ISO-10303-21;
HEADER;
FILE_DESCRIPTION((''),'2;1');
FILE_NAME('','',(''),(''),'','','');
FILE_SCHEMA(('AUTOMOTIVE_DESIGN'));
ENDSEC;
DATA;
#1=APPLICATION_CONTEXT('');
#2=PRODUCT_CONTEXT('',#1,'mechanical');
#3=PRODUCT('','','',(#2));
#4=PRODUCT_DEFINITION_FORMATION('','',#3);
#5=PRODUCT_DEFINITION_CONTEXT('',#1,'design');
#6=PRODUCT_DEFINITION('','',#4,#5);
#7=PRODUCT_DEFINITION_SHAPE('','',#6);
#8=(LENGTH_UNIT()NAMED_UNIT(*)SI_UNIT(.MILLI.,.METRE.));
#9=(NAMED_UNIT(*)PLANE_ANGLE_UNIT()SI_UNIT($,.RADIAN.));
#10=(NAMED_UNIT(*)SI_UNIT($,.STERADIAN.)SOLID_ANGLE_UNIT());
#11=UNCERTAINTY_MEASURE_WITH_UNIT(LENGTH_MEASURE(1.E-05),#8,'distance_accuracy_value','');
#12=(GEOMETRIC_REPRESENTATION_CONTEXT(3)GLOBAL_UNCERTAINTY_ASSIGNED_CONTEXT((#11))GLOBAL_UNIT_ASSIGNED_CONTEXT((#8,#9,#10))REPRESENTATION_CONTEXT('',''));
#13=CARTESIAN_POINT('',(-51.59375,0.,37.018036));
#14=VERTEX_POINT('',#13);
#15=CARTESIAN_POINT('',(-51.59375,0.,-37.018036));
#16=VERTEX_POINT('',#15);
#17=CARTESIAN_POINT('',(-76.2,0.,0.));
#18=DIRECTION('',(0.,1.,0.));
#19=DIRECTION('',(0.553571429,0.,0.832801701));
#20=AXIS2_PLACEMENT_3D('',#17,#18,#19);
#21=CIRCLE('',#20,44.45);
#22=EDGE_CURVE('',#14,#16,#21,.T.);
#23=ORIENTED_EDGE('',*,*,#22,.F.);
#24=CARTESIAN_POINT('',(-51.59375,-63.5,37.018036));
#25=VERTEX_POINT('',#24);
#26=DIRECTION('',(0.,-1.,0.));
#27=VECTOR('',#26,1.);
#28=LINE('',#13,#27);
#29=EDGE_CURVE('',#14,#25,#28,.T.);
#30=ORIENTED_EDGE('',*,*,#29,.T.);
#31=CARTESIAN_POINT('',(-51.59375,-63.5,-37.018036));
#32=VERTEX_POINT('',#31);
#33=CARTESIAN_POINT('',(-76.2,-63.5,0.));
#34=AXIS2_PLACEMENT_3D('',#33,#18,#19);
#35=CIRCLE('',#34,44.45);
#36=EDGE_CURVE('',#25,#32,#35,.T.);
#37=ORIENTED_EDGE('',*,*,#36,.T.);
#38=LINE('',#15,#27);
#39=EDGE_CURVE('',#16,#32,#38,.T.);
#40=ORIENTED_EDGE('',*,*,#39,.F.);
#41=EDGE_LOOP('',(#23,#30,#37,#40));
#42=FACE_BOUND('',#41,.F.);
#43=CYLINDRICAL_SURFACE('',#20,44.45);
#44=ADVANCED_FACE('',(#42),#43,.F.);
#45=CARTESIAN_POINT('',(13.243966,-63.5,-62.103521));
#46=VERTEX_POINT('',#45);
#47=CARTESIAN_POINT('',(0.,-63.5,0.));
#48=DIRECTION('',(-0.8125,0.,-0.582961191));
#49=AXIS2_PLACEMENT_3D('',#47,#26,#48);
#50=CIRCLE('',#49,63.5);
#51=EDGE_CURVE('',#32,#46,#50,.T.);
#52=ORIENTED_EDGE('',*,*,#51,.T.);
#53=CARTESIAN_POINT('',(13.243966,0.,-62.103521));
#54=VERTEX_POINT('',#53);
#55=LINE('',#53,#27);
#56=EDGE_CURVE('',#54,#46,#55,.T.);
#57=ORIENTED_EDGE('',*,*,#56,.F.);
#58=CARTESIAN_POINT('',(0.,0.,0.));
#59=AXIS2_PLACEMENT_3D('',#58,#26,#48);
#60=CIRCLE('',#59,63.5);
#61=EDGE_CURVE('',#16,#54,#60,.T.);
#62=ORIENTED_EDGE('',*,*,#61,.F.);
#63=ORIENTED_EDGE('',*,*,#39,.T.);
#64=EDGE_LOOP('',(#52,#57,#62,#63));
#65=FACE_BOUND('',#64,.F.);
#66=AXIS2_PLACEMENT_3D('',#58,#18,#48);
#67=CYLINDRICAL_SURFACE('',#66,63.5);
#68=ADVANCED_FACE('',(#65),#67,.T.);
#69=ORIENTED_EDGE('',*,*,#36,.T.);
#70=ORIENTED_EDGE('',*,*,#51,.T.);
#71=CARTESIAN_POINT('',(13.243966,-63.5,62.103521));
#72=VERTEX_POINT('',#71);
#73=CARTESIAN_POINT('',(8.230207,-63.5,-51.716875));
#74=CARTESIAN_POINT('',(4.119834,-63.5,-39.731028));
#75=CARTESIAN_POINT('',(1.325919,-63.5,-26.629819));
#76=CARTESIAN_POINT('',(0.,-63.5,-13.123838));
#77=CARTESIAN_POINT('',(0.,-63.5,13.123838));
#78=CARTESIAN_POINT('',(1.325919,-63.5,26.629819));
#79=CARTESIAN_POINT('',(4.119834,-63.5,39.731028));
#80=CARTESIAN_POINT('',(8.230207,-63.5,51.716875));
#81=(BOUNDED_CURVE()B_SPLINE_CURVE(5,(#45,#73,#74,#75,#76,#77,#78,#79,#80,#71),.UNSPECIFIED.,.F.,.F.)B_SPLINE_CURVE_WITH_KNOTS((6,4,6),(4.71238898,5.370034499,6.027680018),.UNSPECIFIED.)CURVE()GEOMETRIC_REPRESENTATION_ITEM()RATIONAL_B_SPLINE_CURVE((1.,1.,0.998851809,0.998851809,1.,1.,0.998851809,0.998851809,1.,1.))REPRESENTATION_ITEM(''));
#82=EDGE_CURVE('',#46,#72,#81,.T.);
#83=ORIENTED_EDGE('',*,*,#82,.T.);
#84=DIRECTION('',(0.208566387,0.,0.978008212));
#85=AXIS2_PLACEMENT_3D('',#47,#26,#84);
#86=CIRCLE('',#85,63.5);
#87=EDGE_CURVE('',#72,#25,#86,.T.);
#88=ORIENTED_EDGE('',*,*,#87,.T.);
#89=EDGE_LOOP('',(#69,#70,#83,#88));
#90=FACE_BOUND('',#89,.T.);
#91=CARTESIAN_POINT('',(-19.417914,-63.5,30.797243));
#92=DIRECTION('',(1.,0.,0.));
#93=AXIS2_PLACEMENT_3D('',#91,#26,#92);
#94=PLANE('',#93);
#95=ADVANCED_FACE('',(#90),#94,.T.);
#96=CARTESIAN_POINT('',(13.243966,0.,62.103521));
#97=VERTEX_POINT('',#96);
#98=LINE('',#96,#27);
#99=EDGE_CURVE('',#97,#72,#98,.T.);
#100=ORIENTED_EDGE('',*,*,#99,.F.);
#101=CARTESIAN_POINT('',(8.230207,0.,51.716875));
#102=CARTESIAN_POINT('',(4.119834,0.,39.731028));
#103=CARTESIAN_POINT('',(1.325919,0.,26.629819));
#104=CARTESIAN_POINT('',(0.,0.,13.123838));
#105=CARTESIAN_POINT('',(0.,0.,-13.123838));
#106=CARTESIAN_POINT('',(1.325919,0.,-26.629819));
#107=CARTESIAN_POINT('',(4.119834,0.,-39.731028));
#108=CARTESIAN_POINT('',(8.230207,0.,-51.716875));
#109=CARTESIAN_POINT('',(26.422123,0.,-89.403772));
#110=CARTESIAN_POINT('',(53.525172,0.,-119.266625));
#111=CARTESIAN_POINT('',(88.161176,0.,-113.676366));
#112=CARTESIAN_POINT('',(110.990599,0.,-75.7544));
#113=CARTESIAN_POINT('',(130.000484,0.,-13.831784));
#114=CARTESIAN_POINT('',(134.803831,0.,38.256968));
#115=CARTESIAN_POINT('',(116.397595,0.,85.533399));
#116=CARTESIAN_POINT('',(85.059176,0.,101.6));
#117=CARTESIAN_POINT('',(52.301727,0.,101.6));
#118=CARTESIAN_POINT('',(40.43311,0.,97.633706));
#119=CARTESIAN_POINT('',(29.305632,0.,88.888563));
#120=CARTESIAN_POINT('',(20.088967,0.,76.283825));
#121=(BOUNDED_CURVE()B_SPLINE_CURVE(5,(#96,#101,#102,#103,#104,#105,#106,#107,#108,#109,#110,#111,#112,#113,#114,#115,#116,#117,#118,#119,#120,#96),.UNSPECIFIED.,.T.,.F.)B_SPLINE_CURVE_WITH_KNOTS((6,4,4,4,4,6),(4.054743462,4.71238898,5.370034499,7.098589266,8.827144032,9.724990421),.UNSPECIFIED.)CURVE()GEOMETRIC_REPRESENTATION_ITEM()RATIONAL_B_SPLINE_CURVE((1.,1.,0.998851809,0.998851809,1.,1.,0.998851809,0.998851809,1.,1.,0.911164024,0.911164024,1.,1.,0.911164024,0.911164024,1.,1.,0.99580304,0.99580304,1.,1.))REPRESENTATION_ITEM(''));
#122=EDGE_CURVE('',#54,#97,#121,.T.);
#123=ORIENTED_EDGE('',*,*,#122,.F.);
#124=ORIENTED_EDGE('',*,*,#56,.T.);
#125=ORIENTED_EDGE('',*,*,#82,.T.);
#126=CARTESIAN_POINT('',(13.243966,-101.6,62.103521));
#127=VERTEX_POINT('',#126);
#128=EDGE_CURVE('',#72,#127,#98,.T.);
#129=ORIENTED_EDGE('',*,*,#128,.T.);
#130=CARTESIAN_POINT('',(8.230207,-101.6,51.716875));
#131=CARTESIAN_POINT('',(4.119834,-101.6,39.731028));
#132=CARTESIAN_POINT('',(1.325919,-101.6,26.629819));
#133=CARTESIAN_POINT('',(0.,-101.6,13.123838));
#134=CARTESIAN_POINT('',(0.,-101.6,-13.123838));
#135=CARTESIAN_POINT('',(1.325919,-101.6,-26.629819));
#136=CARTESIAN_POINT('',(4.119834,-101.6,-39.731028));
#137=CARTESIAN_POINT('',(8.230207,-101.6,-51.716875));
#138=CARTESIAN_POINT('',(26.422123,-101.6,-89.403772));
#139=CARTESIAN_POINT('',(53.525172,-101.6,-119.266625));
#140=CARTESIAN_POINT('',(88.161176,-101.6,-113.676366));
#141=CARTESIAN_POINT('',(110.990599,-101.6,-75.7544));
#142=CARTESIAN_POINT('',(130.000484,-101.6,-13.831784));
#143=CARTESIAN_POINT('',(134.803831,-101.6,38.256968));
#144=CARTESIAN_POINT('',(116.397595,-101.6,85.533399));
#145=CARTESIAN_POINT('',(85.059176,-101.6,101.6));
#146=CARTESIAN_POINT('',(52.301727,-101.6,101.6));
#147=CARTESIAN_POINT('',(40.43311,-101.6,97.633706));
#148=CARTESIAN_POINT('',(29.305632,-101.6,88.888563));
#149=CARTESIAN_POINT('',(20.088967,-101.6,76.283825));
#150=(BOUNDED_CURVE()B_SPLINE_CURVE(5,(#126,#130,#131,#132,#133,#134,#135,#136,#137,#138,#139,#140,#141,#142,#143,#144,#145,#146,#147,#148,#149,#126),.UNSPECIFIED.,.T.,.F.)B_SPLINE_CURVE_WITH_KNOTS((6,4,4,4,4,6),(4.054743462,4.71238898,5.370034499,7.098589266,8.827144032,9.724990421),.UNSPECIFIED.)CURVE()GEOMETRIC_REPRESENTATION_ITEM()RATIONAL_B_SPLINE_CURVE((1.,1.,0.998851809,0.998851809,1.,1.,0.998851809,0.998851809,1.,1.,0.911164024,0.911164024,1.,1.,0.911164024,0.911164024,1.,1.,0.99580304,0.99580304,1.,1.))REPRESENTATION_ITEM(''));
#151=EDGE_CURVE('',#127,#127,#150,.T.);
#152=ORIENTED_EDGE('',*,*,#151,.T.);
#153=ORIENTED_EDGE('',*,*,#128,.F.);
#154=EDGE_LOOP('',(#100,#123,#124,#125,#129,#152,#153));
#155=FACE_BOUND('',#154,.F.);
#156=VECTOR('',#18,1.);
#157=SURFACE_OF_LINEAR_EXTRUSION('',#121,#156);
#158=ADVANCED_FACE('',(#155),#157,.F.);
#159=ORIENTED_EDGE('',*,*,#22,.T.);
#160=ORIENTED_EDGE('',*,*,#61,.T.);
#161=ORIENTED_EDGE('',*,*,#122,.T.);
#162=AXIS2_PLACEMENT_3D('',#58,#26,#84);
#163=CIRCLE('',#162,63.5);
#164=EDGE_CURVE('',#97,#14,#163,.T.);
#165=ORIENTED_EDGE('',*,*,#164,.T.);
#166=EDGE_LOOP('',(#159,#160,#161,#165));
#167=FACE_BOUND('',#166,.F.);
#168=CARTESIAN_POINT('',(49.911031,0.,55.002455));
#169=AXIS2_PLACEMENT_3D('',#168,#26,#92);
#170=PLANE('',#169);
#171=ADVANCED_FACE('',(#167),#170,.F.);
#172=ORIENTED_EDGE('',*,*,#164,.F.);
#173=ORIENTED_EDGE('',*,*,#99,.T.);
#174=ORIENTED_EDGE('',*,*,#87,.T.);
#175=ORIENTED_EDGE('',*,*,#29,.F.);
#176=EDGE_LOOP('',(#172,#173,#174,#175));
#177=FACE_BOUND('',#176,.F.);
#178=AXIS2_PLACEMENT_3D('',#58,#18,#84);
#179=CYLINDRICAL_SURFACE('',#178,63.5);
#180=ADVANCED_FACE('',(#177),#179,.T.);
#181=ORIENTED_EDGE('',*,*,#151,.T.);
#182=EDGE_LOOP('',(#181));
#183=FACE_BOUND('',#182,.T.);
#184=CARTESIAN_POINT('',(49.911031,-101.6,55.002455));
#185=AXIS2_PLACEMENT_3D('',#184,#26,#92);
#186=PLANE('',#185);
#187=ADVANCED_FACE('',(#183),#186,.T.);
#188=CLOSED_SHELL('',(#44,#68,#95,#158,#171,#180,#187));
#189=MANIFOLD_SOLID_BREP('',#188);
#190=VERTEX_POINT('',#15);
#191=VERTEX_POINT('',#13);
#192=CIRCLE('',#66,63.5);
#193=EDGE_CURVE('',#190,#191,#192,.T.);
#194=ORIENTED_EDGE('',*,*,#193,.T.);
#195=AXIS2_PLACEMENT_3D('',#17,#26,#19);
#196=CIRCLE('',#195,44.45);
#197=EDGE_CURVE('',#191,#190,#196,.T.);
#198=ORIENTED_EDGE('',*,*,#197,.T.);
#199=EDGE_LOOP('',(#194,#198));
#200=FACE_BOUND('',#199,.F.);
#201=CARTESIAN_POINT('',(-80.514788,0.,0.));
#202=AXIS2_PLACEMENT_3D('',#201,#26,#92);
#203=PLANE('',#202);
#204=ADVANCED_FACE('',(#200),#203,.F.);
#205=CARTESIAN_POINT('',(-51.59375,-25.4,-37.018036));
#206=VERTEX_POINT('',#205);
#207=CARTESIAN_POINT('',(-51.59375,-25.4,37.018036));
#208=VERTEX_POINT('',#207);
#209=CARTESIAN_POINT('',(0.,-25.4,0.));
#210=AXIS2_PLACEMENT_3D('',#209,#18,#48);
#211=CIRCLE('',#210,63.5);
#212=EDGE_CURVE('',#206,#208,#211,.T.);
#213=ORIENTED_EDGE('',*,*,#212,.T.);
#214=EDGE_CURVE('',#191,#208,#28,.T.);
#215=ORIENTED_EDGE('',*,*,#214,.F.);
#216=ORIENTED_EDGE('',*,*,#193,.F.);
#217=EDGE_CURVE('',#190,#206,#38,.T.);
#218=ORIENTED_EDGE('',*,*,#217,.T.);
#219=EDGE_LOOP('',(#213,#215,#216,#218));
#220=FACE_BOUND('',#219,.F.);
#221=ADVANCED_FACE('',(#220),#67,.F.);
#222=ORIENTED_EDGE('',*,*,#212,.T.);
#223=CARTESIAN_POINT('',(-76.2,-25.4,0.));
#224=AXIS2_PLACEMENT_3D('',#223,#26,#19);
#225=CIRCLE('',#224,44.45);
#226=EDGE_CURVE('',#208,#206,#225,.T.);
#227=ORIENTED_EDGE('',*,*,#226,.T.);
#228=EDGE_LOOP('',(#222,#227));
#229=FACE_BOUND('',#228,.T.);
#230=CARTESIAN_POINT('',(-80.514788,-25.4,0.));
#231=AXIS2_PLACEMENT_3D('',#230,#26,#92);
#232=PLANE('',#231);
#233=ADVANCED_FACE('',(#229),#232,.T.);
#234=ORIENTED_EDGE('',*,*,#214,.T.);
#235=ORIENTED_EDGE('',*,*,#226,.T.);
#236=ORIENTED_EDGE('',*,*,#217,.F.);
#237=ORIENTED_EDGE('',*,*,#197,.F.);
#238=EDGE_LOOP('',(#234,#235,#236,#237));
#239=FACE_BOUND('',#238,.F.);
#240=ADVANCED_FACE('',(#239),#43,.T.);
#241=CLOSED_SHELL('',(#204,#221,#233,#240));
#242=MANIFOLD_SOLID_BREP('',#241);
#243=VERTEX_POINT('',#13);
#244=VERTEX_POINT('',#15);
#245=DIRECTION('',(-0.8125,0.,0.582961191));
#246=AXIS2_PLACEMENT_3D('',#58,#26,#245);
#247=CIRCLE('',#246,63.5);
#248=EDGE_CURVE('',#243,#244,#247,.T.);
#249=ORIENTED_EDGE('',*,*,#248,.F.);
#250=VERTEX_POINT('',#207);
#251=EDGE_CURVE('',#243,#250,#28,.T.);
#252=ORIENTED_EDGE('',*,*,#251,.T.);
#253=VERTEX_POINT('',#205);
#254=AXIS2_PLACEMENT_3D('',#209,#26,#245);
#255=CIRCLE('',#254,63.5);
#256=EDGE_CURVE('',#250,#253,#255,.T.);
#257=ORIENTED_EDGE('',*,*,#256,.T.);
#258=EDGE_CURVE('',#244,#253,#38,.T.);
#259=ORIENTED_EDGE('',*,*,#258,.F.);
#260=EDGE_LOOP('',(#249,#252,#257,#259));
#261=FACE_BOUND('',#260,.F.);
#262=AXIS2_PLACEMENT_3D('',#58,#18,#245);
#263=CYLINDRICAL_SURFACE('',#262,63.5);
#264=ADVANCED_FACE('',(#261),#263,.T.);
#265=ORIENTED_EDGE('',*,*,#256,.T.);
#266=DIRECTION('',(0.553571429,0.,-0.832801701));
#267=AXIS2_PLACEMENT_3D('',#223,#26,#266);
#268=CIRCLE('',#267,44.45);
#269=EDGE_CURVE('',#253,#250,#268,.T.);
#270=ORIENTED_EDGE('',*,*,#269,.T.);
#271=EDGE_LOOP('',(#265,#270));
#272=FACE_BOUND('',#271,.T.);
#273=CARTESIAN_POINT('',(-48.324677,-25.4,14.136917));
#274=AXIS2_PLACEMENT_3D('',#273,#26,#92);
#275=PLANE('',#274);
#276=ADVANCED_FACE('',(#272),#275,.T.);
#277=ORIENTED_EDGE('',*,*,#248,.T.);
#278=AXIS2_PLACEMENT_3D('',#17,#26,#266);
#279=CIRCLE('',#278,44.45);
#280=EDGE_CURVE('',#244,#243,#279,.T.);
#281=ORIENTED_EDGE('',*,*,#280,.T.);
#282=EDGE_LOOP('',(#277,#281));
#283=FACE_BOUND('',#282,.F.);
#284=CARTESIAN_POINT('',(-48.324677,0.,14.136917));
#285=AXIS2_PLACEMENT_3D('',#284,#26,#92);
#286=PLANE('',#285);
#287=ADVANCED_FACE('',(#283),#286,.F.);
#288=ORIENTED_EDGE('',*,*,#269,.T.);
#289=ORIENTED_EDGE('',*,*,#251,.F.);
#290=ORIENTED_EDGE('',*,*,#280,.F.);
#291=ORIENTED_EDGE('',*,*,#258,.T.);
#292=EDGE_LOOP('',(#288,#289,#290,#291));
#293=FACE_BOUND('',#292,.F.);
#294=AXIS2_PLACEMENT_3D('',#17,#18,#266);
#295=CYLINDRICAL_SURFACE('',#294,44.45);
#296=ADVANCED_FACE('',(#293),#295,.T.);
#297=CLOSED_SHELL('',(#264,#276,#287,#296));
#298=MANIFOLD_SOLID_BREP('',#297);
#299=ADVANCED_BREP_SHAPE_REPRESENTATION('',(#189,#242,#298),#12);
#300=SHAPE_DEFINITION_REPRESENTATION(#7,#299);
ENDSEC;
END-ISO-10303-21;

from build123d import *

# Parameters (mm, degrees)
F1_DEPTH = 25.4
F2_DEPTH = 63.5
F3_DEPTH = 101.6
F4_DEPTH = 25.4


with BuildPart() as f1:
    # F0 (on Front) → F1 (new body)
    with BuildSketch(Plane.XZ):
        with BuildLine():
            ThreePointArc((-51.59375, -37.0180356169), (-60.4501990278, -19.4428248333), (-63.5, 0))
            ThreePointArc((-63.5, 0), (-60.4501990278, 19.4428248333), (-51.59375, 37.0180356169))
            ThreePointArc((-51.59375, 37.0180356169), (-120.65, 0), (-51.59375, -37.0180356169))
        make_face()
    extrude(amount=F1_DEPTH)


with BuildPart() as f2:
    # F0 (on Front) → F2 (new body)
    with BuildSketch(Plane.XZ):
        with BuildLine():
            Line((-31.75, 0), (0, 0))
            Line((0, 0), (0, 63.5))
            ThreePointArc((0, 63.5), (-28.9965923716, 56.4928989417), (-51.59375, 37.0180356169))
            ThreePointArc((-51.59375, 37.0180356169), (-37.0237934934, 21.0006510316), (-31.75, 0))
        make_face()
        with BuildLine():
            add(Edge.make_bspline(
                [(0, 0), (0, -34.6669399309), (13.2439655959, -62.1035214404)],
                knots=[4.7123889804, 4.7123889804, 4.7123889804, 5.370034499, 5.370034499, 5.370034499], degree=2, weights=[1, 0.9464231645, 1]))
            Line((0, 0), (-31.75, 0))
            ThreePointArc((-31.75, 0), (-37.0237934934, -21.0006510316), (-51.59375, -37.0180356169))
            ThreePointArc((-51.59375, -37.0180356169), (-22.9128106244, -59.2220660674), (13.2439655959, -62.1035214404))
        make_face()
        with BuildLine():
            Line((0, 63.5), (0, 0))
            add(Edge.make_bspline(
                [(13.2439655959, 62.1035214404), (0, 34.6669399309), (0, 0)],
                knots=[4.0547434617, 4.0547434617, 4.0547434617, 4.7123889804, 4.7123889804, 4.7123889804], degree=2, weights=[1, 0.9464231645, 1]))
            ThreePointArc((13.2439655959, 62.1035214404), (6.6586931352, 63.1499153264), (0, 63.5))
        make_face()
    extrude(amount=F2_DEPTH)

    # F0 (on Front) → F3 (join)
    with BuildSketch(Plane.XZ):
        with BuildLine():
            add(Edge.make_bspline(
                [(63.5, 101.6), (32.3093875408, 101.6), (13.2439655959, 62.1035214404)],
                knots=[3.1415926536, 3.1415926536, 3.1415926536, 4.0547434617, 4.0547434617, 4.0547434617], degree=2, weights=[1, 0.8975675831, 1]))
            ThreePointArc((13.2439655959, 62.1035214404), (49.3621404284, 39.9453262889), (63.5, 0))
            Line((63.5, 0), (63.5, 101.6))
        make_face()
        with BuildLine():
            add(Edge.make_bspline(
                [(13.2439655959, 62.1035214404), (0, 34.6669399309), (0, 0)],
                knots=[4.0547434617, 4.0547434617, 4.0547434617, 4.7123889804, 4.7123889804, 4.7123889804], degree=2, weights=[1, 0.9464231645, 1]))
            add(Edge.make_bspline(
                [(0, 0), (0, -34.6669399309), (13.2439655959, -62.1035214404)],
                knots=[4.7123889804, 4.7123889804, 4.7123889804, 5.370034499, 5.370034499, 5.370034499], degree=2, weights=[1, 0.9464231645, 1]))
            ThreePointArc((13.2439655959, -62.1035214404), (49.3621404284, -39.9453262889), (63.5, 0))
            ThreePointArc((63.5, 0), (49.3621404284, 39.9453262889), (13.2439655959, 62.1035214404))
        make_face()
        with BuildLine():
            ThreePointArc((63.5, 0), (49.3621404284, -39.9453262889), (13.2439655959, -62.1035214404))
            add(Edge.make_bspline(
                [(13.2439655959, -62.1035214404), (75.5537087854, -191.1861844445), (120.4955415237, -44.7930922222), (165.437374262, 101.6), (63.5, 101.6)],
                knots=[5.370034499, 5.370034499, 5.370034499, 7.3974062299, 7.3974062299, 9.4247779608, 9.4247779608, 9.4247779608], degree=2, weights=[1, 0.5287358074, 1, 0.5287358074, 1]))
            Line((63.5, 101.6), (63.5, 0))
        make_face()
    extrude(amount=F3_DEPTH)


with BuildPart() as f4:
    # F0 (on Front) → F4 (new body)
    with BuildSketch(Plane.XZ):
        with BuildLine():
            Line((-63.5, 0), (-31.75, 0))
            ThreePointArc((-31.75, 0), (-37.0237934934, 21.0006510316), (-51.59375, 37.0180356169))
            ThreePointArc((-51.59375, 37.0180356169), (-60.4501990278, 19.4428248333), (-63.5, 0))
        make_face()
        with BuildLine():
            ThreePointArc((-51.59375, -37.0180356169), (-37.0237934934, -21.0006510316), (-31.75, 0))
            Line((-31.75, 0), (-63.5, 0))
            ThreePointArc((-63.5, 0), (-60.4501990278, -19.4428248333), (-51.59375, -37.0180356169))
        make_face()
    extrude(amount=F4_DEPTH)


solid = Compound([f1.part, f2.part, f4.part])
